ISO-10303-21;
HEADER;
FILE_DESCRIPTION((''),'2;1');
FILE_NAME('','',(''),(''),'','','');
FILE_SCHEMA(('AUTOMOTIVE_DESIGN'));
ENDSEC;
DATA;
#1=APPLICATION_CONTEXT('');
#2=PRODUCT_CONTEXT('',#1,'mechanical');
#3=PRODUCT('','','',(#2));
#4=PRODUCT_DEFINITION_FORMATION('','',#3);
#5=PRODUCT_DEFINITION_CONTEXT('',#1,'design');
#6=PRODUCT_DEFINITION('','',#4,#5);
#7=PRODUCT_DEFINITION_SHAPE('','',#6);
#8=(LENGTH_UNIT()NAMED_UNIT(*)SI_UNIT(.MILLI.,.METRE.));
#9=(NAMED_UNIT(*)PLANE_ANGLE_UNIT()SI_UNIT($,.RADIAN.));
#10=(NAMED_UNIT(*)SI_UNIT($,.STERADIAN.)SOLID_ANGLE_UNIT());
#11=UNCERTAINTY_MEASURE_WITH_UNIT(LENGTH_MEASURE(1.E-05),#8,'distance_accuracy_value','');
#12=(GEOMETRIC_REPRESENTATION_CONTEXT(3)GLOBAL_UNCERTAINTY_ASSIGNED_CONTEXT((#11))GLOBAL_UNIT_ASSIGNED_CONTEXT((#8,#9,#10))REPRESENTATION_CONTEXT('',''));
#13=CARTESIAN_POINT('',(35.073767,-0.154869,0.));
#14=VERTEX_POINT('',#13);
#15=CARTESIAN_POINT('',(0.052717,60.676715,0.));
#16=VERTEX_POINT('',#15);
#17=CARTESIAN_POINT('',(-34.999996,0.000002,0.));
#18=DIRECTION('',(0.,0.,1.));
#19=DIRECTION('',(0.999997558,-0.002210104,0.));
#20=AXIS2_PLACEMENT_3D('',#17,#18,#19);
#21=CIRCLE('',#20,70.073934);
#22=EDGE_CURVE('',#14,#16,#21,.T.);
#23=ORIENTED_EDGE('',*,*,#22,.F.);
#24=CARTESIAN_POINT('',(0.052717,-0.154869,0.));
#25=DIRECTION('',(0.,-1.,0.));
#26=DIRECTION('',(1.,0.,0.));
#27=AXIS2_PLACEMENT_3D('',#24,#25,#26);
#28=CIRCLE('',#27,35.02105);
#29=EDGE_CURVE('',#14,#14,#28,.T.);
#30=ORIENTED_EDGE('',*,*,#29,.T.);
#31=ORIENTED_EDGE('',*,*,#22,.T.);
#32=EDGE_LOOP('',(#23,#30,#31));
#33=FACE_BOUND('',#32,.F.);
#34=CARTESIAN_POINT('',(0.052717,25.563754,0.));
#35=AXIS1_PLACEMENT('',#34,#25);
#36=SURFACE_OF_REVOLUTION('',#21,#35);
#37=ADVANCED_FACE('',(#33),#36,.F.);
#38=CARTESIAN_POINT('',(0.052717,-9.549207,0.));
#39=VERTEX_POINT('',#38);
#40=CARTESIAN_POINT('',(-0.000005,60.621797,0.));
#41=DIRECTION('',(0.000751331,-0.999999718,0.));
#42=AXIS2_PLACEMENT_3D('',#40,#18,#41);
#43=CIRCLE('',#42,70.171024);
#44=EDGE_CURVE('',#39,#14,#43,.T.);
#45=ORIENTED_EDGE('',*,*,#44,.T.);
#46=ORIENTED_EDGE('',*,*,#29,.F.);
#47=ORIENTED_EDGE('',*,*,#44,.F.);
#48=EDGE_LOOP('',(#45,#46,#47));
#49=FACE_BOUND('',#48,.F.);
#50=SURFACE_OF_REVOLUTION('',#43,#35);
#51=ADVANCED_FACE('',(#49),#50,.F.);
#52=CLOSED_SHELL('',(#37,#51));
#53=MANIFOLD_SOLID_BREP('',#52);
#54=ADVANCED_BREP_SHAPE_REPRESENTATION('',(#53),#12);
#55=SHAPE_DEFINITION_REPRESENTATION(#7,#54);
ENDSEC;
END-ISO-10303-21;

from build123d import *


with BuildPart() as f1:
    # F0 (on Top) → F1 (revolve)
    with BuildSketch(Plane.XY):
        with BuildLine():
            Line((0.052717, 60.676715), (0.052717, 60.53047))
            Line((0.052717, 60.53047), (35, 0))
            Line((35, 0), (0.052717, 0))
            Line((0.052717, 0), (0.052717, -9.549207))
            ThreePointArc((0.052717, -9.549207), (18.180508, -7.153136), (35.073767, -0.154869))
            ThreePointArc((35.073767, -0.154869), (25.729028, 34.962008), (0.052717, 60.676715))
        make_face()
        Polygon((35, 0), (0.052717, 60.53047), (0.052717, 0), align=None)
    revolve(axis=Axis((0.052717, 25.563754, 0), (0, -1, 0)))


solid = f1.part
